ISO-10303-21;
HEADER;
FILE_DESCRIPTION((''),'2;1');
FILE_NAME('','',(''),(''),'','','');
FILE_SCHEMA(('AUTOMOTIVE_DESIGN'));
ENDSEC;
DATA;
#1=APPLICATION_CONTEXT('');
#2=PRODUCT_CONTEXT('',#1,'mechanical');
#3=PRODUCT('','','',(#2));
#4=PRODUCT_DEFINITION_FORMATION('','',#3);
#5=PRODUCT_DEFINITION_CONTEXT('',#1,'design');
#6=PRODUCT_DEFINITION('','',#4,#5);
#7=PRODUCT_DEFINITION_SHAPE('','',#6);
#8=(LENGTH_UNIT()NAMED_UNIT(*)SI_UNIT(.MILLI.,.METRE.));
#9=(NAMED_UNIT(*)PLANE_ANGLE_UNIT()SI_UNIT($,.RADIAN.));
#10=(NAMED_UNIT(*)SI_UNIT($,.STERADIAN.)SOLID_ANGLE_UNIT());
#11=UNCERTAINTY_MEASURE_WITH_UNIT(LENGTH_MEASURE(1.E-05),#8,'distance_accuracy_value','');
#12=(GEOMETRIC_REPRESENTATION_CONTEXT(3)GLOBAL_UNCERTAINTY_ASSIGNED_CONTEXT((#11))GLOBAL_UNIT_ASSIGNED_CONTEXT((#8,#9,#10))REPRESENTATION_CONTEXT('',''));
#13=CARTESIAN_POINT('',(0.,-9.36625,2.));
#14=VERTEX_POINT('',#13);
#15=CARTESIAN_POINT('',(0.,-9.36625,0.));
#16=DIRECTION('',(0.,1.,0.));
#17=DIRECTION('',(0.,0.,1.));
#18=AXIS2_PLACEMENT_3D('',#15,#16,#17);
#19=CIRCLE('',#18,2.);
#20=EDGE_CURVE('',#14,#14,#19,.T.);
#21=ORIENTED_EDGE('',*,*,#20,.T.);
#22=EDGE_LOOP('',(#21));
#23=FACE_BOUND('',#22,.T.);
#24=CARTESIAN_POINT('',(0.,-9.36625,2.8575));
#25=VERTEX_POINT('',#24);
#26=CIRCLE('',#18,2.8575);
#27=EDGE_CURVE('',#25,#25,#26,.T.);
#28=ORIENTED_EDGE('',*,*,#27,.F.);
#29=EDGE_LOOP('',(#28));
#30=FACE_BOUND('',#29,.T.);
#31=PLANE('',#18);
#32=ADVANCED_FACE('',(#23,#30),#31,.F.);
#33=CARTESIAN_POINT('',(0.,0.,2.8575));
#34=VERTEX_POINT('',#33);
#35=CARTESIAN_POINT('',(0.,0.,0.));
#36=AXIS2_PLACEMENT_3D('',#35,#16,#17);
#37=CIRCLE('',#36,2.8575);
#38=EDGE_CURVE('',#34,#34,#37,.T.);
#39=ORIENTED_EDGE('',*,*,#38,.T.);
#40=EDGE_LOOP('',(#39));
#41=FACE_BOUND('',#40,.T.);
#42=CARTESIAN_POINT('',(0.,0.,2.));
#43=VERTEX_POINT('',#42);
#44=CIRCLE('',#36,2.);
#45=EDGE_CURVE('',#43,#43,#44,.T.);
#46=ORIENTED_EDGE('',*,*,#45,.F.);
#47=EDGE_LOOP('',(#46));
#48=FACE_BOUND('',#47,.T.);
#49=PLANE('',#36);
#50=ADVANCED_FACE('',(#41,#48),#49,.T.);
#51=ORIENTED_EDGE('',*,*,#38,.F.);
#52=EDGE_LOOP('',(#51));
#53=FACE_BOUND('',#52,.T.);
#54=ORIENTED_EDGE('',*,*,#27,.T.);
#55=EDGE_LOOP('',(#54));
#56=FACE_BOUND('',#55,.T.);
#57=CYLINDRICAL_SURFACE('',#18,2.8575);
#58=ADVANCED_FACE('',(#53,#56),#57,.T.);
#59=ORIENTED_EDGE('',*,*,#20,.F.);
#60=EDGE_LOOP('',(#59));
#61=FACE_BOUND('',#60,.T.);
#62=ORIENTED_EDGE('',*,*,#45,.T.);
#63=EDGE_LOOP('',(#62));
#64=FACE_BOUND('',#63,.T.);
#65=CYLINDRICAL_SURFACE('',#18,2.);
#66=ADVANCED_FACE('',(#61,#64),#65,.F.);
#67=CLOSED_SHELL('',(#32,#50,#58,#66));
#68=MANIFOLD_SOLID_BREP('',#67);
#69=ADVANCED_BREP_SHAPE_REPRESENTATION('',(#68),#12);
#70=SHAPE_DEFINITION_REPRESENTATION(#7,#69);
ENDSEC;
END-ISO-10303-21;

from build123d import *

# Parameters (mm, degrees)
SKETCH1_R           = 2.8575
SKETCH1_R_2         = 2
BOSS_EXTRUDE1_DEPTH = 9.36625


with BuildPart() as part:
    # Sketch1 → Boss-Extrude1 (new body)
    with BuildSketch(Plane(origin=(0, 0, 0), x_dir=(1, 0, 0), z_dir=(0, 1, 0))):
        with Locations(Location((0, 0, 0), (0, 0, 270))):
            Circle(SKETCH1_R)
        with Locations(Location((0, 0, 0), (0, 0, 270))):
            Circle(SKETCH1_R_2, mode=Mode.SUBTRACT)
    extrude(amount=-BOSS_EXTRUDE1_DEPTH)


solid = part.part
